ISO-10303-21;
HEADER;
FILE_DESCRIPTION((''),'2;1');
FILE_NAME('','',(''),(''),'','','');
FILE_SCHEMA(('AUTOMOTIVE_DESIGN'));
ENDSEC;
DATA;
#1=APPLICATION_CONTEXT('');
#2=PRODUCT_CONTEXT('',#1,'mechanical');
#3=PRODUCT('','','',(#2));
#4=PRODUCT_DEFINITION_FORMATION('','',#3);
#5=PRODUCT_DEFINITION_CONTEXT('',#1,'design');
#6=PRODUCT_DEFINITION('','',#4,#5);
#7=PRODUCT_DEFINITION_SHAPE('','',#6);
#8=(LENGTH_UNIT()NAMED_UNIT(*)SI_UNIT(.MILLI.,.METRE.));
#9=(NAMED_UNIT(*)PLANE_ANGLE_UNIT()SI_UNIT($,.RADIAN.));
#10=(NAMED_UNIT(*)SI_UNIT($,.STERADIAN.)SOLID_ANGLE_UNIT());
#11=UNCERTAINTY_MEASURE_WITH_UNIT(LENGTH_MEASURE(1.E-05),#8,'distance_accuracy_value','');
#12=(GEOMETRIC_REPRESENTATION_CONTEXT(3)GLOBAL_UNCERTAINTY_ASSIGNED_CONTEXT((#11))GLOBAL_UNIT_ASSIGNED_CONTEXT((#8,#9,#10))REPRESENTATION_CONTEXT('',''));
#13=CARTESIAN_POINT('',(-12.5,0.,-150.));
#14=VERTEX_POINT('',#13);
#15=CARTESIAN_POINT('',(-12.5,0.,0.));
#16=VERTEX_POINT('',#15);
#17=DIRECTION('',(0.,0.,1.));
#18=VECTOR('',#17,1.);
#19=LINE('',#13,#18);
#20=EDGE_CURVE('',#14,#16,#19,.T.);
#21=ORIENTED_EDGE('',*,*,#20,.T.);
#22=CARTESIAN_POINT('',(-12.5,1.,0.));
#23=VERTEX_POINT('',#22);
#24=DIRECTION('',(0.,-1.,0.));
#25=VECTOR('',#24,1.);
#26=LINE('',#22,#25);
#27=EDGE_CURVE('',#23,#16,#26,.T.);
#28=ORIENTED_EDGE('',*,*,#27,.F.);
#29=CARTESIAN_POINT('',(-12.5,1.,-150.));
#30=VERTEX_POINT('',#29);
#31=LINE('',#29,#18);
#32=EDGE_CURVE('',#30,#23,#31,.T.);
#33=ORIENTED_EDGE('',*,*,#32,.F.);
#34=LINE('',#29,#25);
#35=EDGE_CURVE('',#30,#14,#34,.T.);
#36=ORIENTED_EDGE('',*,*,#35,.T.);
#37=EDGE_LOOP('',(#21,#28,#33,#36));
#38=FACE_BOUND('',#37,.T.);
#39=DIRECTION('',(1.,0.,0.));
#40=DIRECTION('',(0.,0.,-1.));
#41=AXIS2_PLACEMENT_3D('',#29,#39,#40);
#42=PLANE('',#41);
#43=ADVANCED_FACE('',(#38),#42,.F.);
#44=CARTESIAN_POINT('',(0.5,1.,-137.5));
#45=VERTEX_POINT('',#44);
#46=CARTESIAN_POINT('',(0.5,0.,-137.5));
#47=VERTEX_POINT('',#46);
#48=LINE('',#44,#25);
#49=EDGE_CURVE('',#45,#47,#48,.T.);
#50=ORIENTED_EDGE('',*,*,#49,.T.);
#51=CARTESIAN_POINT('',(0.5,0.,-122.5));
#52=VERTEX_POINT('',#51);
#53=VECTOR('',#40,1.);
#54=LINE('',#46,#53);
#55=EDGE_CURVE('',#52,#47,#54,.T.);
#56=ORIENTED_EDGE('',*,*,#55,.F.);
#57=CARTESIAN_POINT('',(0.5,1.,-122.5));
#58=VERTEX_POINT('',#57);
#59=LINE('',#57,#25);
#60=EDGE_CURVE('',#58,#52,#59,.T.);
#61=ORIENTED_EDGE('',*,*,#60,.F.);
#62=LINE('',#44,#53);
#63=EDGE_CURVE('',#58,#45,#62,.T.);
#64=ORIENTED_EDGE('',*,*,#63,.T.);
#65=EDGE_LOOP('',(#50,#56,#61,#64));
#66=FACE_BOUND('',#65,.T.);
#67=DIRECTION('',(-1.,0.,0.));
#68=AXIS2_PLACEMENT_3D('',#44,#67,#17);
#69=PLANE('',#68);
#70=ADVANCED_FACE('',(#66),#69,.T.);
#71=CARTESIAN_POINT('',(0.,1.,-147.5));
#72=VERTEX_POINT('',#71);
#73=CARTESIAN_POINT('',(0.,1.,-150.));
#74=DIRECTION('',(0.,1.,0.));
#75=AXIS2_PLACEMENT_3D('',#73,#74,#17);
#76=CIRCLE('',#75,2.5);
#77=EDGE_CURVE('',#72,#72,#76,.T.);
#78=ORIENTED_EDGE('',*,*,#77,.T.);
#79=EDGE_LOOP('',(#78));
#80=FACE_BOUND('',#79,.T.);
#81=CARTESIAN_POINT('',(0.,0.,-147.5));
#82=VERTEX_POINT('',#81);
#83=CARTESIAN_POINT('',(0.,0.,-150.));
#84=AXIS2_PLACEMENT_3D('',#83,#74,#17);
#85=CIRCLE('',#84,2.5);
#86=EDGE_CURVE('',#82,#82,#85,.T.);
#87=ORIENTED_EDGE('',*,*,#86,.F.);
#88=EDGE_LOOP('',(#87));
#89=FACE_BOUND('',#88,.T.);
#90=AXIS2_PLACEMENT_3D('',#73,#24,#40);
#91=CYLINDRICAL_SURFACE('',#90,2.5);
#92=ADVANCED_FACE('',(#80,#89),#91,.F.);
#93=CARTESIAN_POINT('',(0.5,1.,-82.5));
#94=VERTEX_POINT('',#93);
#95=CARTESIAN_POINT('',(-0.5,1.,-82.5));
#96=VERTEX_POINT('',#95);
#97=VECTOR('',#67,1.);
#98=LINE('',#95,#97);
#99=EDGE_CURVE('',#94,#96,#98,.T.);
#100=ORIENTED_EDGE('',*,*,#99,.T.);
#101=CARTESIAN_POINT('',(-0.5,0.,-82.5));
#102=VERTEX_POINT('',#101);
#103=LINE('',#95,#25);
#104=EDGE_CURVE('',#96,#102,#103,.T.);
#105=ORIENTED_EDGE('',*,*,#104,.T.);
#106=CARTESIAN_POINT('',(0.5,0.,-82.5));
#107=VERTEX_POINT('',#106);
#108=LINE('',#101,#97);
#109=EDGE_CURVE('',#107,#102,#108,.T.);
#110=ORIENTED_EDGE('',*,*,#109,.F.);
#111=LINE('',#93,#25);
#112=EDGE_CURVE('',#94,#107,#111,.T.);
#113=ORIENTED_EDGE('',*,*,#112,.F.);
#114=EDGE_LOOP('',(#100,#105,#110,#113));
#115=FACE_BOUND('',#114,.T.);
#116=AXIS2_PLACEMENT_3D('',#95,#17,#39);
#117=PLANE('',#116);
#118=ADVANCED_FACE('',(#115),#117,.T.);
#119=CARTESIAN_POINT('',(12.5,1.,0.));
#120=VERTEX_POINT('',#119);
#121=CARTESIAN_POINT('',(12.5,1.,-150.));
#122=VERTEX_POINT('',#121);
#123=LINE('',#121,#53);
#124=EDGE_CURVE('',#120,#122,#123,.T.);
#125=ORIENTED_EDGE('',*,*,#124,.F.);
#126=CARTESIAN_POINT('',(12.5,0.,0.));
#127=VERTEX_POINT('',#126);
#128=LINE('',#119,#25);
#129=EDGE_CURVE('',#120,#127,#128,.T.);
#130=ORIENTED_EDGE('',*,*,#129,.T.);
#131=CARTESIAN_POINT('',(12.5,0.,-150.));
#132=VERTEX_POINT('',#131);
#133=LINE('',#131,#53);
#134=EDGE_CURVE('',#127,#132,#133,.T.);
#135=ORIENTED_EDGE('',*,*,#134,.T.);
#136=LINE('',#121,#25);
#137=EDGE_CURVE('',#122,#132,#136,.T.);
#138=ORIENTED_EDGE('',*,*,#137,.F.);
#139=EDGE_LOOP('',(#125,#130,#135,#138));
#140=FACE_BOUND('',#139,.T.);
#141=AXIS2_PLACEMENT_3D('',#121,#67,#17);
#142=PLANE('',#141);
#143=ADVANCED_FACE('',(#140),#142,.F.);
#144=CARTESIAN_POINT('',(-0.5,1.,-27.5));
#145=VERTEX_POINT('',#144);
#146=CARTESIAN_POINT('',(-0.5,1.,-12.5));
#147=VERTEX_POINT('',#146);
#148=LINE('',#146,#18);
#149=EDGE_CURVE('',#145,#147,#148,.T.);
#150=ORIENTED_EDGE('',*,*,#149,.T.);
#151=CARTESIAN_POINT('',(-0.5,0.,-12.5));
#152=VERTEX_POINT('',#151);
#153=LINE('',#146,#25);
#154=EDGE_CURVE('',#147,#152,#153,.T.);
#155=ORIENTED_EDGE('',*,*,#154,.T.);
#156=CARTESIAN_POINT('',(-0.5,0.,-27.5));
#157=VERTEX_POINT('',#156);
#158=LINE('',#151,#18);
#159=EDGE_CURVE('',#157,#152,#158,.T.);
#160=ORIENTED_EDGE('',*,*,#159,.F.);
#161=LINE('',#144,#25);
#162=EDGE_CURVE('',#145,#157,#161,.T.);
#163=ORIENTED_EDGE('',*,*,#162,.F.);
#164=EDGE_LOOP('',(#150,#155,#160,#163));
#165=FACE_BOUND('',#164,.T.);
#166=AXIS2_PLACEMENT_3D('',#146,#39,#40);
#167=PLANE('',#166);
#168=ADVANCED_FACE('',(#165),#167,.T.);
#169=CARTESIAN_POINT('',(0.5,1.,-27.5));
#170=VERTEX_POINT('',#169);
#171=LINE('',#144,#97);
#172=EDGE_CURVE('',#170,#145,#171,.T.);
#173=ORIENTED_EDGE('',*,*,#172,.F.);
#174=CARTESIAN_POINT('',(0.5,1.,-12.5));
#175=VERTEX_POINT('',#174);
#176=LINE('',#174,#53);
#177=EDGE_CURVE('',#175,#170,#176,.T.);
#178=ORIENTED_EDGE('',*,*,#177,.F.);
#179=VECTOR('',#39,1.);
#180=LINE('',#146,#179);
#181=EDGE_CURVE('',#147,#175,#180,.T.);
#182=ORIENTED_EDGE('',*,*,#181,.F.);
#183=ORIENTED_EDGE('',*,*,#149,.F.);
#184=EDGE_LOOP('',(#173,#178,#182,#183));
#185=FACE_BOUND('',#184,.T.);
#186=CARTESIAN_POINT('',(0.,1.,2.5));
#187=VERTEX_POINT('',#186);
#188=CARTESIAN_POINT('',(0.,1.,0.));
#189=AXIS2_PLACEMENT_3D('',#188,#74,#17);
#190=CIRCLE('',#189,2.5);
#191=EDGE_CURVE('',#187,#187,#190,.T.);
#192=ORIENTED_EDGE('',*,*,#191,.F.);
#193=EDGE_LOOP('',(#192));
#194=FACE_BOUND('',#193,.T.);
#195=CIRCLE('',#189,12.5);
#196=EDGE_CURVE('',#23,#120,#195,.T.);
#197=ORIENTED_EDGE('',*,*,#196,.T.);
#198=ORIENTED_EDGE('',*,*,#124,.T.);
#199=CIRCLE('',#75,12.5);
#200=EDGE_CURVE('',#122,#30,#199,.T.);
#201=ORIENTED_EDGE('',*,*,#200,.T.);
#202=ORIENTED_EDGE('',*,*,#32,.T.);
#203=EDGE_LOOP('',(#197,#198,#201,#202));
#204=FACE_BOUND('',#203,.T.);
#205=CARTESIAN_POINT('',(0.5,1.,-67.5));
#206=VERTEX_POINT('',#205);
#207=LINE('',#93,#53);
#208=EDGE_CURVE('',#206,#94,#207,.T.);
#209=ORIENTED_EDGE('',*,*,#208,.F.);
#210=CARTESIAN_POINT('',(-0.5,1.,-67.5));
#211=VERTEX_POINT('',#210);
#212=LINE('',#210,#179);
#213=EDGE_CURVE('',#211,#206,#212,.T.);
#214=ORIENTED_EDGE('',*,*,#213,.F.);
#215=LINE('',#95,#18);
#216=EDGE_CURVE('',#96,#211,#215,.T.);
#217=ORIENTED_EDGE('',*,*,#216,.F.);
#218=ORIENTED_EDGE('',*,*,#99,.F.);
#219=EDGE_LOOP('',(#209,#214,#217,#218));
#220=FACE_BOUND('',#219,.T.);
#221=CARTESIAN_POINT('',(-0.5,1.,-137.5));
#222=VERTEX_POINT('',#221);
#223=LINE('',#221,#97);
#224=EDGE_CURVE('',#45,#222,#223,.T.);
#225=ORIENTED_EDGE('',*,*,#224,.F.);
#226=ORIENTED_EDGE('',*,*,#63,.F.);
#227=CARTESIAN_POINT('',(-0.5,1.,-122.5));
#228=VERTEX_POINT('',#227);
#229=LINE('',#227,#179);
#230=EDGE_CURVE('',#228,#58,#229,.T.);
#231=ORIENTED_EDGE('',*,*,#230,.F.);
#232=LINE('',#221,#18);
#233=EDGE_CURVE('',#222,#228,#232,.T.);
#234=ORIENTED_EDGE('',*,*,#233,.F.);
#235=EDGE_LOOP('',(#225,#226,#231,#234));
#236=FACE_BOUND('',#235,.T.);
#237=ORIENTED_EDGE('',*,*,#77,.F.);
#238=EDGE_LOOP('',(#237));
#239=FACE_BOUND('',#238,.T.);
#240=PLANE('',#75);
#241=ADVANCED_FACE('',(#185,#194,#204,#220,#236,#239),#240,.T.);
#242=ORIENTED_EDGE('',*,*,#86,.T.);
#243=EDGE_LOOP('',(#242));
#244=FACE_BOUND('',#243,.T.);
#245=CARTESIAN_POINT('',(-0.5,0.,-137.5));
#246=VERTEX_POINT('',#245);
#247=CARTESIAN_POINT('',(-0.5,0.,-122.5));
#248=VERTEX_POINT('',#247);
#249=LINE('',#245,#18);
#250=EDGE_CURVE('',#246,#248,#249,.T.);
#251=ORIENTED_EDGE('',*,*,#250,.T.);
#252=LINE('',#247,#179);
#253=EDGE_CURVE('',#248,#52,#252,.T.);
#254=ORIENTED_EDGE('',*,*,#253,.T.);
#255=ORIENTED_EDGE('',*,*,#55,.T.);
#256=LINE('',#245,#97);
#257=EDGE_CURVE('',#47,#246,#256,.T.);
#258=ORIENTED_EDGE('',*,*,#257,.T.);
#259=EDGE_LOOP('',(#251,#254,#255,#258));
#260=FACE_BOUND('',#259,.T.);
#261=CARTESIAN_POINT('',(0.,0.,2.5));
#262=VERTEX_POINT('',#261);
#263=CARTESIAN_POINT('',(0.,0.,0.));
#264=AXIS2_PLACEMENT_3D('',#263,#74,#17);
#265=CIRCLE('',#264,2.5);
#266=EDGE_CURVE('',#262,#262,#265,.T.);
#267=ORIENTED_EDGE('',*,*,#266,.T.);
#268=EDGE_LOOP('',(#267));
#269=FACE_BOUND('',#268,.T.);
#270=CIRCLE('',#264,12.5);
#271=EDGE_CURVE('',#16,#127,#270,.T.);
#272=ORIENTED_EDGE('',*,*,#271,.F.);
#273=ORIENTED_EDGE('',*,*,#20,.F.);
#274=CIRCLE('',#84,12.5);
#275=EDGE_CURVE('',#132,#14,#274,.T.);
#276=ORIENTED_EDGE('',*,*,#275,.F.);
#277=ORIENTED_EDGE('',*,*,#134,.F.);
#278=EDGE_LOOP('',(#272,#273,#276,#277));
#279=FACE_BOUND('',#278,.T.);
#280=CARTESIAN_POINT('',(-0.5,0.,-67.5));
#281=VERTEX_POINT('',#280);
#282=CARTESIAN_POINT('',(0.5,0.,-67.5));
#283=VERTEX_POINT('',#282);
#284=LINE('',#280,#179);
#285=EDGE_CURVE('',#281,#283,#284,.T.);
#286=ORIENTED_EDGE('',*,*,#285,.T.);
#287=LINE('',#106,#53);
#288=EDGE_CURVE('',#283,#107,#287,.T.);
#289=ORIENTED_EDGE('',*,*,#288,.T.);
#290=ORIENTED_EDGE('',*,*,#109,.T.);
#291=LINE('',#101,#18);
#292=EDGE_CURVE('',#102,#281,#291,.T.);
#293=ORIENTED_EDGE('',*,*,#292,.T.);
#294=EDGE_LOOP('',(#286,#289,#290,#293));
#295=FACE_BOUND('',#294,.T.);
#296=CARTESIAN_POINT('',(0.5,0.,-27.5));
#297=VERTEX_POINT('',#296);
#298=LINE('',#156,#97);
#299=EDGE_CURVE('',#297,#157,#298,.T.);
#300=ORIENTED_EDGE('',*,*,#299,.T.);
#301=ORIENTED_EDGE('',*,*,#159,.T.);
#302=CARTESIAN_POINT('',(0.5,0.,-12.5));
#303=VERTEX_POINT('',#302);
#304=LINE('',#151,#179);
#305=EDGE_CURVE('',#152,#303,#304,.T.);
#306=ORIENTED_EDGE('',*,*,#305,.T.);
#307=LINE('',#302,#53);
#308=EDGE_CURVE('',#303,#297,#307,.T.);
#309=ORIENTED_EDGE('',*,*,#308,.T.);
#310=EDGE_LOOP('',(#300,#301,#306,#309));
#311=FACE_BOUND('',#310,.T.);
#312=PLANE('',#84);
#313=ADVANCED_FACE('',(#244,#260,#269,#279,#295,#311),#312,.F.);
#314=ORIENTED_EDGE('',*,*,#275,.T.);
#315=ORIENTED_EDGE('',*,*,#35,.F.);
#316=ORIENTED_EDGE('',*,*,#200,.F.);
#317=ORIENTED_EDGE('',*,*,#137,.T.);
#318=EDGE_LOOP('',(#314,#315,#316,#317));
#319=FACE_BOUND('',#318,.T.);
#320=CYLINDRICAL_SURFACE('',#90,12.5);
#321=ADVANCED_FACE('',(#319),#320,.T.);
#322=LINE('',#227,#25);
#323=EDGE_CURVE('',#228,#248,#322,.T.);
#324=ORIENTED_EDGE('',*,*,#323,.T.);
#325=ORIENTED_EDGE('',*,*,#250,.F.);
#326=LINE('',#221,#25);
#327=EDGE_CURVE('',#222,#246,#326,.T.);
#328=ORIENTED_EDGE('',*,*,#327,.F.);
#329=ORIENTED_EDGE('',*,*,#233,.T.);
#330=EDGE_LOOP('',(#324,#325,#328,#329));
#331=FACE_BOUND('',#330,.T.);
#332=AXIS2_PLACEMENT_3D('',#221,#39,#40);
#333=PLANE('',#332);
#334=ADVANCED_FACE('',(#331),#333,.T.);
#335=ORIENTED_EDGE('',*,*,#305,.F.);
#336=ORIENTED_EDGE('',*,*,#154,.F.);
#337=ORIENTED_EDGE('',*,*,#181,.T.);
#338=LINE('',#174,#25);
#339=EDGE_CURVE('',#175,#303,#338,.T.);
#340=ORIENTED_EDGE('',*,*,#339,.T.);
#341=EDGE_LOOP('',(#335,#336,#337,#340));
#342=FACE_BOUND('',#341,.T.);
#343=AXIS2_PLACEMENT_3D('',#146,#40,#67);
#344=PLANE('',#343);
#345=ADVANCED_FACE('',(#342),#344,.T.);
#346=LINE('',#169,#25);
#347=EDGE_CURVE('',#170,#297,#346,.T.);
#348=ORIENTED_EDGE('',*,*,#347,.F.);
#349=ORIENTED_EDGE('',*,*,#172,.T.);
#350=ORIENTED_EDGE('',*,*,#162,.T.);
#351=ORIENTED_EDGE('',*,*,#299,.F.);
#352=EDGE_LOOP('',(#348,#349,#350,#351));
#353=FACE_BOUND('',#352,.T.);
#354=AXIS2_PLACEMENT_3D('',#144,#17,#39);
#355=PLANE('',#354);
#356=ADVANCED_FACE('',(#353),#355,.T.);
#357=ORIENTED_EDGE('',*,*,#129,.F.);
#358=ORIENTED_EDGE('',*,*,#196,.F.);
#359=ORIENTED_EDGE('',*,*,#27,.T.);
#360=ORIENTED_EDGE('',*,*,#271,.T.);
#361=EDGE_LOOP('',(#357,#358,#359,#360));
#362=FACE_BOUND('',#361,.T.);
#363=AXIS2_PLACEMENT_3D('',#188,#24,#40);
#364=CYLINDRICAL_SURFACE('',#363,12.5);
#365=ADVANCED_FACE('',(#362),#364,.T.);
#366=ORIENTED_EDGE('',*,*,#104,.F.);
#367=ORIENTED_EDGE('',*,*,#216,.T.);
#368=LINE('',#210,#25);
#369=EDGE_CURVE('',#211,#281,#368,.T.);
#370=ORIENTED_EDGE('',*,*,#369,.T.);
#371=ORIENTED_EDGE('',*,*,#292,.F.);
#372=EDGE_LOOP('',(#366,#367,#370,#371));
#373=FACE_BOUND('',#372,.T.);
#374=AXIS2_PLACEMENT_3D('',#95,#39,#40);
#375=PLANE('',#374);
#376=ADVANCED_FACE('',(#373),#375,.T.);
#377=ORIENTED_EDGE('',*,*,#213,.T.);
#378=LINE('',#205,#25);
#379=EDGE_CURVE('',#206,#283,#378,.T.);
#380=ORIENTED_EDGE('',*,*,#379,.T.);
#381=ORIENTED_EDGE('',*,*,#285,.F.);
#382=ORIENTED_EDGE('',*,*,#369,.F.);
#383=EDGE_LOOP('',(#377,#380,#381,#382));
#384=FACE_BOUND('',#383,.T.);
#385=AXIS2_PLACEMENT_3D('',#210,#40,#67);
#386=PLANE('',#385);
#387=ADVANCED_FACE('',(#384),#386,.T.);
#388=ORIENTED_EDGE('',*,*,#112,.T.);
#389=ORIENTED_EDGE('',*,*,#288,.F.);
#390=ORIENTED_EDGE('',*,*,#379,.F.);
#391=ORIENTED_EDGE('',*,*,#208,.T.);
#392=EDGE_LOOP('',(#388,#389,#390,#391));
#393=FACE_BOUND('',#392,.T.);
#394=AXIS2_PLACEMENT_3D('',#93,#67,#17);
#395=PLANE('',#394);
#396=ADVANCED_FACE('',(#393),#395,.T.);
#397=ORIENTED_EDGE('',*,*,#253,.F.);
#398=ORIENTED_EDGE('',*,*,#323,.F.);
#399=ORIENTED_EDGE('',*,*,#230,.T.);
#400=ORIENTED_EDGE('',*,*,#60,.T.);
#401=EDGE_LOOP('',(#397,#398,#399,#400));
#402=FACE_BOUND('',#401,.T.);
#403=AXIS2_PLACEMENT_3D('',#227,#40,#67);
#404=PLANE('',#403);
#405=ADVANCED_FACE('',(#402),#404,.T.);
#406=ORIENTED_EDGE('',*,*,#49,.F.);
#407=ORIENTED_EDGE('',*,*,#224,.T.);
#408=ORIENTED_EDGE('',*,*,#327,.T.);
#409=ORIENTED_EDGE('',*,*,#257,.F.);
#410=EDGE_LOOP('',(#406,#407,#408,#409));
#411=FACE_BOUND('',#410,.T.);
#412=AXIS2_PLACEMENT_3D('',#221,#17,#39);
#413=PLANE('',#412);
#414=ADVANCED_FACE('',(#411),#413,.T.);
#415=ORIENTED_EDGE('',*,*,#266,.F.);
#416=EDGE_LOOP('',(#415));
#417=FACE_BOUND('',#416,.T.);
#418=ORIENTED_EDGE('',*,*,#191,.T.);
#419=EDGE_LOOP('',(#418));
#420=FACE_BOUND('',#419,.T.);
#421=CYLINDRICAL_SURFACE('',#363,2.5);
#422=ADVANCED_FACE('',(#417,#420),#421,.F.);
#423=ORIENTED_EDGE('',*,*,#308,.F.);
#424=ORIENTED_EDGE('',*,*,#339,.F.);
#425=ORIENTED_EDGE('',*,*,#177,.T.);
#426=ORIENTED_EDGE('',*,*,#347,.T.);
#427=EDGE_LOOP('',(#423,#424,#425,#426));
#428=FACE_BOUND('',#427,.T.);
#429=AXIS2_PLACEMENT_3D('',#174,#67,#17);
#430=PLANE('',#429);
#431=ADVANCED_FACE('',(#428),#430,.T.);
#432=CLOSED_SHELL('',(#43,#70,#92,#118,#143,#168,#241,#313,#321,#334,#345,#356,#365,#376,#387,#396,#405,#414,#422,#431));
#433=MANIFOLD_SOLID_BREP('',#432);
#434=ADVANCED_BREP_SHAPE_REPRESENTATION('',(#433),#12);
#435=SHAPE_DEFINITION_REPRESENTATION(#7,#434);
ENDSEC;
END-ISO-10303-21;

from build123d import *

# Parameters (mm, degrees)
SKETCH1_R           = 2.5
SKETCH1_W           = 1
SKETCH1_H           = 15
BOSS_EXTRUDE1_DEPTH = 1


with BuildPart() as part:
    # Sketch1 → Boss-Extrude1 (new body)
    with BuildSketch(Plane(origin=(0, 0, 0), x_dir=(1, 0, 0), z_dir=(0, 1, 0))):
        with BuildLine():
            Line((12.5, 150), (12.5, 0))
            ThreePointArc((12.5, 0), (0, -12.5), (-12.5, 0))
            Line((-12.5, 0), (-12.5, 150))
            ThreePointArc((-12.5, 150), (0, 162.5), (12.5, 150))
        make_face()
        with Locations(Location((0, 0, 0), (0, 0, 270))):
            Circle(SKETCH1_R, mode=Mode.SUBTRACT)
        with Locations(Location((0, 150, 0), (0, 0, 270))):
            Circle(SKETCH1_R, mode=Mode.SUBTRACT)
        with Locations((0, 75)):
            Rectangle(SKETCH1_W, SKETCH1_H, mode=Mode.SUBTRACT)
        with Locations((0, 20)):
            Rectangle(SKETCH1_W, SKETCH1_H, mode=Mode.SUBTRACT)
        with Locations((0, 130)):
            Rectangle(SKETCH1_W, SKETCH1_H, mode=Mode.SUBTRACT)
    extrude(amount=BOSS_EXTRUDE1_DEPTH)


solid = part.part
